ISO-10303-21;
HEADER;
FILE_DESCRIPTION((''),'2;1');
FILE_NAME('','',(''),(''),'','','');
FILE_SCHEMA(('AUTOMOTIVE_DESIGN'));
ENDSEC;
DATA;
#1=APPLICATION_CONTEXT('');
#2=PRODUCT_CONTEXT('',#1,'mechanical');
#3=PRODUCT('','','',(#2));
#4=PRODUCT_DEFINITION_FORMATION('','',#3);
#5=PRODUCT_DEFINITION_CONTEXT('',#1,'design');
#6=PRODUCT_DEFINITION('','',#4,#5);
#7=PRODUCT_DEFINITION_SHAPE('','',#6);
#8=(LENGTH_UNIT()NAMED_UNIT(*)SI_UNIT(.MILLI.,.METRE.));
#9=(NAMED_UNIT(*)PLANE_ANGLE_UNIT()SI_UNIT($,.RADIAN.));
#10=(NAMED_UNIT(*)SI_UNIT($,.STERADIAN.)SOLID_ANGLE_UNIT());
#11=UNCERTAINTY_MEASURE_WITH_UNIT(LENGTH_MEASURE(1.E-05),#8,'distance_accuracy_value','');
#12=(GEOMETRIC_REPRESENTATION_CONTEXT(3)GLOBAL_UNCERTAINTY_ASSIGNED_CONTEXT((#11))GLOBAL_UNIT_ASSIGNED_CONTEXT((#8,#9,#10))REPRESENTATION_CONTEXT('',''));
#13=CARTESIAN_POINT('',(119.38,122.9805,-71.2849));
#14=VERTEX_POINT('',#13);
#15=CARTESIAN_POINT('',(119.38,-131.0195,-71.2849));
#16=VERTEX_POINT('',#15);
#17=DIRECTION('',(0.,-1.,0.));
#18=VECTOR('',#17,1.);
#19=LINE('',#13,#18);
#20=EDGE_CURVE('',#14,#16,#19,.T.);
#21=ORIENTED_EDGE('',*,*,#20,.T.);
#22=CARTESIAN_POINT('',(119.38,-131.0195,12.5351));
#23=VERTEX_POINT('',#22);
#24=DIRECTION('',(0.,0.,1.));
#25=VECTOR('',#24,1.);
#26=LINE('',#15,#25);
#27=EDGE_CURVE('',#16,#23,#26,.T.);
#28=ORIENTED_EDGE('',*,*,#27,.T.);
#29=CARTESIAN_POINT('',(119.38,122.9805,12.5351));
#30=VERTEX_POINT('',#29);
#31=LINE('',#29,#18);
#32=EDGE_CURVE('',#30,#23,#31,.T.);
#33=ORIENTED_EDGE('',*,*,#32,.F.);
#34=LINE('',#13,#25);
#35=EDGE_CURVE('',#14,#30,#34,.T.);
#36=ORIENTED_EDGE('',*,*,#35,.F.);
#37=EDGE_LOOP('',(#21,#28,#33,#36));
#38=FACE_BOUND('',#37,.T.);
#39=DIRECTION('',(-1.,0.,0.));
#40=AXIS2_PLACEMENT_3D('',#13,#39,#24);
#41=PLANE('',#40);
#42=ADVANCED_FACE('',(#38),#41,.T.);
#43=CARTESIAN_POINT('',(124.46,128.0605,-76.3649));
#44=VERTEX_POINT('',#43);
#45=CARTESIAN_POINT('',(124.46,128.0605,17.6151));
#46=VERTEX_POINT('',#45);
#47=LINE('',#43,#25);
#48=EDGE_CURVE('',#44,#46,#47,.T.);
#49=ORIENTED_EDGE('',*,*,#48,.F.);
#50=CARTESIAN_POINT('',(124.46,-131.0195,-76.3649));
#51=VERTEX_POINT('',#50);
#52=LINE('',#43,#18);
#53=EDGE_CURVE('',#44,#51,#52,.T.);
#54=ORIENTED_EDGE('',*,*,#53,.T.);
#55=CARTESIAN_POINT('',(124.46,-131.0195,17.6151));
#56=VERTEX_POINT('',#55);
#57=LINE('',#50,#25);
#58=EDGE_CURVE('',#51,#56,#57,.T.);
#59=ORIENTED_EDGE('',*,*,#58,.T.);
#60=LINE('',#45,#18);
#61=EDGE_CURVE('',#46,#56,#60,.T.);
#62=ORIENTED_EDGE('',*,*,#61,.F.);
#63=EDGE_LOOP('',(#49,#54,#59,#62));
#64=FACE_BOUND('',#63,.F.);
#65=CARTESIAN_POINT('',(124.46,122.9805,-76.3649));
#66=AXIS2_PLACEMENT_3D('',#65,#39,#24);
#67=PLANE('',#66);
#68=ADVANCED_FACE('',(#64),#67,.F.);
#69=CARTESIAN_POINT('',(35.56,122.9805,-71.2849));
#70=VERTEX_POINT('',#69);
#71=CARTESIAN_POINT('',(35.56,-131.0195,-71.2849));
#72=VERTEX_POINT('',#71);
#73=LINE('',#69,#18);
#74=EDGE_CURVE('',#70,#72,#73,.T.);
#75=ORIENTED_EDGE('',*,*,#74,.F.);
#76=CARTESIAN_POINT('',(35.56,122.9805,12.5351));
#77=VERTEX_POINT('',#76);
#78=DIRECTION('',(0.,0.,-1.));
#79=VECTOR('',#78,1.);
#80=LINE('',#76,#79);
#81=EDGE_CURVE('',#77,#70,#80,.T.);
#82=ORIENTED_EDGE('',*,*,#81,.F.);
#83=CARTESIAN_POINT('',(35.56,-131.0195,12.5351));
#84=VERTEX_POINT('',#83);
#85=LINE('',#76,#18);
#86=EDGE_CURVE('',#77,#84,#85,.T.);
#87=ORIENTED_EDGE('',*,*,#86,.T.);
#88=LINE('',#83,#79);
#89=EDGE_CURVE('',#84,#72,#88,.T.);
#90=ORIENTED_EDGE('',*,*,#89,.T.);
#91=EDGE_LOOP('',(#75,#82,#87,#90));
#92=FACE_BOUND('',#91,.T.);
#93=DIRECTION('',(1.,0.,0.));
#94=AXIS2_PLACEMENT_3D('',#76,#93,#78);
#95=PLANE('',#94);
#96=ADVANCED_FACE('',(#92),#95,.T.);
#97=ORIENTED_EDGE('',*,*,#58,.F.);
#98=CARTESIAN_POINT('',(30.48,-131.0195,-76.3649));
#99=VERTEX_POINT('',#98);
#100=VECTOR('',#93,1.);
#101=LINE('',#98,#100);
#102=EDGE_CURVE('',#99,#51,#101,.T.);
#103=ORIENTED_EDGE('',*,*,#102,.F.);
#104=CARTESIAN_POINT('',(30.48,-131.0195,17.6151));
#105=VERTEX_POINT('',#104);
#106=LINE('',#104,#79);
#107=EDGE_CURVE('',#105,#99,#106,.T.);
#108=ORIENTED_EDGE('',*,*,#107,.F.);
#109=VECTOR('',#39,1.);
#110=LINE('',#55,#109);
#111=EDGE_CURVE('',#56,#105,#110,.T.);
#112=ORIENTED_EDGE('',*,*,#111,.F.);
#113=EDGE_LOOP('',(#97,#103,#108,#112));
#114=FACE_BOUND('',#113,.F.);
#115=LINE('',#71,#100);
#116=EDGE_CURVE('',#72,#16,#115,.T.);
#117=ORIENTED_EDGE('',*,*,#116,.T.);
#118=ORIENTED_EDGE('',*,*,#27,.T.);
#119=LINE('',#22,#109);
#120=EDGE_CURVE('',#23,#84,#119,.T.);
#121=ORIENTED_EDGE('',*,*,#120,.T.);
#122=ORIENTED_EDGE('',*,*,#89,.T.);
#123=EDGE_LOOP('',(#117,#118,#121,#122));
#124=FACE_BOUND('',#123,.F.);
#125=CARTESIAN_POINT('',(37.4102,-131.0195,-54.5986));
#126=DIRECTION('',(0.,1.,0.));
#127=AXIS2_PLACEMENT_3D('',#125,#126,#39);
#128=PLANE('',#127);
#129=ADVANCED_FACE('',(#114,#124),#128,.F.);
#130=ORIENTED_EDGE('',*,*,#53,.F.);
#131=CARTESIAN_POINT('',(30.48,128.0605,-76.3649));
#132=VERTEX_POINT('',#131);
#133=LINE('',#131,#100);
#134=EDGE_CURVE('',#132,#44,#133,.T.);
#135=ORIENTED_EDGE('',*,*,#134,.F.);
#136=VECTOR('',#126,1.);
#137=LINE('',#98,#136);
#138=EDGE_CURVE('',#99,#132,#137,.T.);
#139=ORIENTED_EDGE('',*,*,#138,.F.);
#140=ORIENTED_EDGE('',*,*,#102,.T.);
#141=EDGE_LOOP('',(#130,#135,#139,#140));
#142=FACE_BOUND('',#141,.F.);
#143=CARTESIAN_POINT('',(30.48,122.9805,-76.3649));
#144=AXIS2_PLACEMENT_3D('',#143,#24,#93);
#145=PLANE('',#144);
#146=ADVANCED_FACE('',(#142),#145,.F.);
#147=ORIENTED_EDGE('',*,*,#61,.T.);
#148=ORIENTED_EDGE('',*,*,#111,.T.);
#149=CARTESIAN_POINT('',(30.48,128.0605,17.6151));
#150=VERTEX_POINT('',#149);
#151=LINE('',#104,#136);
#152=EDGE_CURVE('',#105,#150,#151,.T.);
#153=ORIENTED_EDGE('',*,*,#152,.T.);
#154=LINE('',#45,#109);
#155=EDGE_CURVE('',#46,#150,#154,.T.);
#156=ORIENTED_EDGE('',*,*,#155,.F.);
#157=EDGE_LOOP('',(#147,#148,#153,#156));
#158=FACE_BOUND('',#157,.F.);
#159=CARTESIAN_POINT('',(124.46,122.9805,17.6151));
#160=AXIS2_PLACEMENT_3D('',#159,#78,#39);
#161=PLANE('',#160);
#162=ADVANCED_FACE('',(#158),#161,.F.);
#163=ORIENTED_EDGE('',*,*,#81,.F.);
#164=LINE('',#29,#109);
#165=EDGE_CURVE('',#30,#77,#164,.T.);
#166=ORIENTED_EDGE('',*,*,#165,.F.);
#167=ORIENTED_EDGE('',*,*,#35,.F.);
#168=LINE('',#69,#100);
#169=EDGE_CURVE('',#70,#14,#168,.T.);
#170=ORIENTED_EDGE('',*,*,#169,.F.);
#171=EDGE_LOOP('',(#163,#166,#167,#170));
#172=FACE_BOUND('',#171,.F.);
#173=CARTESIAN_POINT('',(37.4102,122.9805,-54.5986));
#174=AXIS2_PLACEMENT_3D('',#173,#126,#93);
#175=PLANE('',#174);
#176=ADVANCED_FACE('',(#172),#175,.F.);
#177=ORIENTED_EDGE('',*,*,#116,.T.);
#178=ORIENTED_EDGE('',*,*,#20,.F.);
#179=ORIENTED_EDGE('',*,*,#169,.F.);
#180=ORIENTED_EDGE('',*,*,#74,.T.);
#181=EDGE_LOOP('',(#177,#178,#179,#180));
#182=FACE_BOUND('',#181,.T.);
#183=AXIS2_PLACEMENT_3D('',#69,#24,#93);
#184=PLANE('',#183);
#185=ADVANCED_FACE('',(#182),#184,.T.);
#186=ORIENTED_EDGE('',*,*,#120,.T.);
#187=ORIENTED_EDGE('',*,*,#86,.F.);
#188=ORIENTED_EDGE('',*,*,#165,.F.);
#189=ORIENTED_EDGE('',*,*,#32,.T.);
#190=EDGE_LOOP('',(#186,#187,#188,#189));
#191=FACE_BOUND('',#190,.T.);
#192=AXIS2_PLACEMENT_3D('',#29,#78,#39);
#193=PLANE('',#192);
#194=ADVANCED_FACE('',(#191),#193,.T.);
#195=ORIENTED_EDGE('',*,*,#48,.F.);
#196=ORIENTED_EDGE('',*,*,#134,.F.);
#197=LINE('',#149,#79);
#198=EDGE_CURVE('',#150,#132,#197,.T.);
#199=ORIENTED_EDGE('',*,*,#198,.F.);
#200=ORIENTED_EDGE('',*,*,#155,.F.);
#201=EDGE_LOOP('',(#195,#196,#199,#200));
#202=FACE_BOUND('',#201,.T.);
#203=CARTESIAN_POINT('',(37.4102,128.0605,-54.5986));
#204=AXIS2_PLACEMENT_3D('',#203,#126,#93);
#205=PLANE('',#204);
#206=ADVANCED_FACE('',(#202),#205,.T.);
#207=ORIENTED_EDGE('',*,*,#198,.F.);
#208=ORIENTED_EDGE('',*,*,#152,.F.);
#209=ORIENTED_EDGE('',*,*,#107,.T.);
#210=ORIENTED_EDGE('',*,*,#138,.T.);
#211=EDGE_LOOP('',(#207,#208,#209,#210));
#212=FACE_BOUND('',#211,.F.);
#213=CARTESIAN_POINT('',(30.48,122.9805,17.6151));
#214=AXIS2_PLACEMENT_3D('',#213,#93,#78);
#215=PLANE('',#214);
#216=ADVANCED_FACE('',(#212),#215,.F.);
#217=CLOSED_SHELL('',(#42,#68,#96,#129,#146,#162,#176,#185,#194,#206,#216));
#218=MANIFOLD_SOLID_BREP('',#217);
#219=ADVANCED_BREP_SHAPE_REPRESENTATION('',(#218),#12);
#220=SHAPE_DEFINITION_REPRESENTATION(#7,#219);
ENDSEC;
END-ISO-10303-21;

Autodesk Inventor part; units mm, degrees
ref_plane "YZ Plane" through (0, 0, 0) normal (1, 0, 0) x (0, 1, 0)
ref_plane "XZ Plane" through (0, 0, 0) normal (0, 1, 0) x (-1, 0, 0)
ref_plane "XY Plane" through (0, 0, 0) normal (0, 0, 1) x (1, 0, 0)
ref_plane "Work Plane1" through (37.4102, 3.6005, -54.5986) normal (0, 1, 0) x (-1, 0, 0)
ref_plane "Work Plane2" through (37.4102, 122.9805, -54.5986) normal (0, 1, 0) x (-1, 0, 0)
sketch "Sketch2" plane through (37.4102, 122.9805, -54.5986) normal (0, 1, 0) x (-1, 0, 0)
  line L0 (1.8502, -16.6863) -> (-81.9698, -16.6863)
  line L1 (-81.9698, -16.6863) -> (-81.9698, 67.1337)
  line L2 (-81.9698, 67.1337) -> (1.8502, 67.1337)
  line L3 (1.8502, 67.1337) -> (1.8502, -16.6863)
  line L4 (37.4102, -40.5623) -> (37.4102, 91.0097) construction
  line L5 (-111.9418, 54.5986) -> (62.3022, 54.5986) construction
  line L6 (6.9302, -21.7663) -> (-87.0498, -21.7663)
  line L7 (-87.0498, -21.7663) -> (-87.0498, 72.2137)
  line L8 (-87.0498, 72.2137) -> (6.9302, 72.2137)
  line L9 (6.9302, 72.2137) -> (6.9302, -21.7663)
  point P0 (37.4102, 54.5986)
  dimension "d1" = 83.82
  dimension "d2" = 83.82
  dimension "d3" = 35.56
  dimension "d4" = 12.5351
  dimension "d5" = 5.08
  dimension "d6" = 5.08
  dimension "d7" = 5.08
  dimension "d8" = 5.08
extrude "Extrusion1" add sketch "Sketch2" against normal blind 254
sketch "Sketch3" plane through (37.4102, 122.9805, -54.5986) normal (0, 1, 0) x (1, 0, 0)
  line L0 (-6.9302, 21.7663) -> (87.0498, 21.7663) projected
  line L1 (-6.9302, -72.2137) -> (-6.9302, 21.7663) projected
  line L2 (87.0498, 21.7663) -> (87.0498, -72.2137) projected
  line L3 (87.0498, -72.2137) -> (-6.9302, -72.2137) projected
  point P0 (-37.4102, -54.5986)
extrude "Extrusion2" add sketch "Sketch3" along normal blind 5.08
properties part number "Cuvette"
